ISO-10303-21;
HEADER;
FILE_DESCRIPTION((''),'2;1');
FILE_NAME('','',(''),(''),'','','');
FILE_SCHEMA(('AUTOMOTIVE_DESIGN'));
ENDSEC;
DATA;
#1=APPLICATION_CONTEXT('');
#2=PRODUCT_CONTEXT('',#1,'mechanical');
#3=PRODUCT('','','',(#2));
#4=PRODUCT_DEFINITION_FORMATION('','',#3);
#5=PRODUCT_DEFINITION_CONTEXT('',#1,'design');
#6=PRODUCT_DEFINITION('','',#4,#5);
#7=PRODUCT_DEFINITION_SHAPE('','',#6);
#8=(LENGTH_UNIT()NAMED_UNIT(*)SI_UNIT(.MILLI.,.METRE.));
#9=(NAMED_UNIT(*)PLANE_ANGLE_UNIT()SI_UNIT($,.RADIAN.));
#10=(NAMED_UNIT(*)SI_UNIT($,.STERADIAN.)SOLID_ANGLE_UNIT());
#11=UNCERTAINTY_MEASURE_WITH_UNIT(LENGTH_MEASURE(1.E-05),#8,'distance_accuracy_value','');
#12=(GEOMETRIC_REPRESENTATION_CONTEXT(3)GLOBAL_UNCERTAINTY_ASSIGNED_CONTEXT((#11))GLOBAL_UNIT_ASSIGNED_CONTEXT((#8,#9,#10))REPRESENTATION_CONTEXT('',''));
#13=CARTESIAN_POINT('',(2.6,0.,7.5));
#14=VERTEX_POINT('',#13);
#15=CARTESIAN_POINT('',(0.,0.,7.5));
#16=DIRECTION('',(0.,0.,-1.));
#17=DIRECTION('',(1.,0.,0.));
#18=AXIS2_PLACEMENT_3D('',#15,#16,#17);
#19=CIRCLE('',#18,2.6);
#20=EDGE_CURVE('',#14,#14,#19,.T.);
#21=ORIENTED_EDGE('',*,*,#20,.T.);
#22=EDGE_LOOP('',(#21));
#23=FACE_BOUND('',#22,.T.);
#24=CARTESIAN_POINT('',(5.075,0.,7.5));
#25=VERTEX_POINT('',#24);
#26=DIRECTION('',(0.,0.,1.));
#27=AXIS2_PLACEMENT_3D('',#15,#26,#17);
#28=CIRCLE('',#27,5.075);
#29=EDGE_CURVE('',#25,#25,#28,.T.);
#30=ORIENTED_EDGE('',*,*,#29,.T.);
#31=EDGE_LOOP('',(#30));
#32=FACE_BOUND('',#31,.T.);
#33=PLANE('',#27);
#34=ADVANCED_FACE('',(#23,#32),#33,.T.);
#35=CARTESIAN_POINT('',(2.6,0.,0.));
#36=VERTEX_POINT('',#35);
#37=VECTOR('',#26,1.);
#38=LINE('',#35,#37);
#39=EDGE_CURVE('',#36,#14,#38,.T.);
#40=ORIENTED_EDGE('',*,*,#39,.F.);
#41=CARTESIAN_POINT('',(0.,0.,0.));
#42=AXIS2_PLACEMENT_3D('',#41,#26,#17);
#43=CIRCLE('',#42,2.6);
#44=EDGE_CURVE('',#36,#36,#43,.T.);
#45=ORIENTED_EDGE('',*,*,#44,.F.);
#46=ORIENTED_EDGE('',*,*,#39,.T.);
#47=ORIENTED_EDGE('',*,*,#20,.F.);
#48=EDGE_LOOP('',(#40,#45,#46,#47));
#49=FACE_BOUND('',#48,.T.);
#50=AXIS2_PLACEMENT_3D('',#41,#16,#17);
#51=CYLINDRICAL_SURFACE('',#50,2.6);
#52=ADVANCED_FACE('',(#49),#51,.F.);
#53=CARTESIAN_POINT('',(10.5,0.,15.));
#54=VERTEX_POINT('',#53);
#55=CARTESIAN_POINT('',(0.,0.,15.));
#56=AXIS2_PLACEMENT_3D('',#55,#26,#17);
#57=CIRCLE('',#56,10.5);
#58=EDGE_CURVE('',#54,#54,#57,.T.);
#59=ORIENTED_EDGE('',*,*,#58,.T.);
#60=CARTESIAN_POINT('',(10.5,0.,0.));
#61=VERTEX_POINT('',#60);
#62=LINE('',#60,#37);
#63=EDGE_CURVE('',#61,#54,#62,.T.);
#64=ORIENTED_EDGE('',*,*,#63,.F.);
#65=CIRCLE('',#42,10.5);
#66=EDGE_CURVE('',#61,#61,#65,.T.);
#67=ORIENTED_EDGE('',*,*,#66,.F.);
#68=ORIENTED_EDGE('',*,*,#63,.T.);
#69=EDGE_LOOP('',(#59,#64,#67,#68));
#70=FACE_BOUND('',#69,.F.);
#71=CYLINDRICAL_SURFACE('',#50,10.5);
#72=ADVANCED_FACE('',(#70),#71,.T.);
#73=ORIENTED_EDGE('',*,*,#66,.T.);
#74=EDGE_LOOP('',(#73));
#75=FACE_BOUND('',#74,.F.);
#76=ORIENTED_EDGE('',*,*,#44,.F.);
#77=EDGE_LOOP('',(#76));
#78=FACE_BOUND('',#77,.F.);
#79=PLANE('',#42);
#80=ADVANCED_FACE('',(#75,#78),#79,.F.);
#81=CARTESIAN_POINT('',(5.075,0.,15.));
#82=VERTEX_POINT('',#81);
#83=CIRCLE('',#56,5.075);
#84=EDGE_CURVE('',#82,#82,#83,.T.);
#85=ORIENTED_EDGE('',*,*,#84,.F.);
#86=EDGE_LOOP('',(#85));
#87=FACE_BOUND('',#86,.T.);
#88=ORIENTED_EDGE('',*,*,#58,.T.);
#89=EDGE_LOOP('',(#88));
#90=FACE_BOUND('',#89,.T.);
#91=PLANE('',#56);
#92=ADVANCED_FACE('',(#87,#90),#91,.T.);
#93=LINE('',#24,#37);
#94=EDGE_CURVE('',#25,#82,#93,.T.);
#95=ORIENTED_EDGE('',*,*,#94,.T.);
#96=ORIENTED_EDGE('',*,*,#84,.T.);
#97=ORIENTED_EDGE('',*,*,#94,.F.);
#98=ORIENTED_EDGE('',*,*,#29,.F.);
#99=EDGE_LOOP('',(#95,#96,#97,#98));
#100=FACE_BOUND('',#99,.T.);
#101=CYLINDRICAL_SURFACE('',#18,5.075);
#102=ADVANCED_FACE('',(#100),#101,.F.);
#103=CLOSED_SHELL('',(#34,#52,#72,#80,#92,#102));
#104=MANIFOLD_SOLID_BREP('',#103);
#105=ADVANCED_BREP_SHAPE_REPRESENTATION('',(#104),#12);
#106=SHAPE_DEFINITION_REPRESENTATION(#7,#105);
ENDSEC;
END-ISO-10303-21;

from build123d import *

# Parameters (mm, degrees)
F0_R     = 10.5
F0_R_2   = 2.6
F1_DEPTH = 15
F3_START = 7.5
F2_R     = 5.075
F3_DEPTH = 7.5


with BuildPart() as f1:
    # F0 (on Top) → F1 (new body)
    with BuildSketch(Plane.XY):
        Circle(F0_R)
        Circle(F0_R_2, mode=Mode.SUBTRACT)
    extrude(amount=F1_DEPTH)

    # F2 (on Top) → F3 (cut)
    with BuildSketch(Plane.XY.offset(F3_START)):
        Circle(F2_R)
    extrude(amount=F3_DEPTH, mode=Mode.SUBTRACT)


solid = f1.part
